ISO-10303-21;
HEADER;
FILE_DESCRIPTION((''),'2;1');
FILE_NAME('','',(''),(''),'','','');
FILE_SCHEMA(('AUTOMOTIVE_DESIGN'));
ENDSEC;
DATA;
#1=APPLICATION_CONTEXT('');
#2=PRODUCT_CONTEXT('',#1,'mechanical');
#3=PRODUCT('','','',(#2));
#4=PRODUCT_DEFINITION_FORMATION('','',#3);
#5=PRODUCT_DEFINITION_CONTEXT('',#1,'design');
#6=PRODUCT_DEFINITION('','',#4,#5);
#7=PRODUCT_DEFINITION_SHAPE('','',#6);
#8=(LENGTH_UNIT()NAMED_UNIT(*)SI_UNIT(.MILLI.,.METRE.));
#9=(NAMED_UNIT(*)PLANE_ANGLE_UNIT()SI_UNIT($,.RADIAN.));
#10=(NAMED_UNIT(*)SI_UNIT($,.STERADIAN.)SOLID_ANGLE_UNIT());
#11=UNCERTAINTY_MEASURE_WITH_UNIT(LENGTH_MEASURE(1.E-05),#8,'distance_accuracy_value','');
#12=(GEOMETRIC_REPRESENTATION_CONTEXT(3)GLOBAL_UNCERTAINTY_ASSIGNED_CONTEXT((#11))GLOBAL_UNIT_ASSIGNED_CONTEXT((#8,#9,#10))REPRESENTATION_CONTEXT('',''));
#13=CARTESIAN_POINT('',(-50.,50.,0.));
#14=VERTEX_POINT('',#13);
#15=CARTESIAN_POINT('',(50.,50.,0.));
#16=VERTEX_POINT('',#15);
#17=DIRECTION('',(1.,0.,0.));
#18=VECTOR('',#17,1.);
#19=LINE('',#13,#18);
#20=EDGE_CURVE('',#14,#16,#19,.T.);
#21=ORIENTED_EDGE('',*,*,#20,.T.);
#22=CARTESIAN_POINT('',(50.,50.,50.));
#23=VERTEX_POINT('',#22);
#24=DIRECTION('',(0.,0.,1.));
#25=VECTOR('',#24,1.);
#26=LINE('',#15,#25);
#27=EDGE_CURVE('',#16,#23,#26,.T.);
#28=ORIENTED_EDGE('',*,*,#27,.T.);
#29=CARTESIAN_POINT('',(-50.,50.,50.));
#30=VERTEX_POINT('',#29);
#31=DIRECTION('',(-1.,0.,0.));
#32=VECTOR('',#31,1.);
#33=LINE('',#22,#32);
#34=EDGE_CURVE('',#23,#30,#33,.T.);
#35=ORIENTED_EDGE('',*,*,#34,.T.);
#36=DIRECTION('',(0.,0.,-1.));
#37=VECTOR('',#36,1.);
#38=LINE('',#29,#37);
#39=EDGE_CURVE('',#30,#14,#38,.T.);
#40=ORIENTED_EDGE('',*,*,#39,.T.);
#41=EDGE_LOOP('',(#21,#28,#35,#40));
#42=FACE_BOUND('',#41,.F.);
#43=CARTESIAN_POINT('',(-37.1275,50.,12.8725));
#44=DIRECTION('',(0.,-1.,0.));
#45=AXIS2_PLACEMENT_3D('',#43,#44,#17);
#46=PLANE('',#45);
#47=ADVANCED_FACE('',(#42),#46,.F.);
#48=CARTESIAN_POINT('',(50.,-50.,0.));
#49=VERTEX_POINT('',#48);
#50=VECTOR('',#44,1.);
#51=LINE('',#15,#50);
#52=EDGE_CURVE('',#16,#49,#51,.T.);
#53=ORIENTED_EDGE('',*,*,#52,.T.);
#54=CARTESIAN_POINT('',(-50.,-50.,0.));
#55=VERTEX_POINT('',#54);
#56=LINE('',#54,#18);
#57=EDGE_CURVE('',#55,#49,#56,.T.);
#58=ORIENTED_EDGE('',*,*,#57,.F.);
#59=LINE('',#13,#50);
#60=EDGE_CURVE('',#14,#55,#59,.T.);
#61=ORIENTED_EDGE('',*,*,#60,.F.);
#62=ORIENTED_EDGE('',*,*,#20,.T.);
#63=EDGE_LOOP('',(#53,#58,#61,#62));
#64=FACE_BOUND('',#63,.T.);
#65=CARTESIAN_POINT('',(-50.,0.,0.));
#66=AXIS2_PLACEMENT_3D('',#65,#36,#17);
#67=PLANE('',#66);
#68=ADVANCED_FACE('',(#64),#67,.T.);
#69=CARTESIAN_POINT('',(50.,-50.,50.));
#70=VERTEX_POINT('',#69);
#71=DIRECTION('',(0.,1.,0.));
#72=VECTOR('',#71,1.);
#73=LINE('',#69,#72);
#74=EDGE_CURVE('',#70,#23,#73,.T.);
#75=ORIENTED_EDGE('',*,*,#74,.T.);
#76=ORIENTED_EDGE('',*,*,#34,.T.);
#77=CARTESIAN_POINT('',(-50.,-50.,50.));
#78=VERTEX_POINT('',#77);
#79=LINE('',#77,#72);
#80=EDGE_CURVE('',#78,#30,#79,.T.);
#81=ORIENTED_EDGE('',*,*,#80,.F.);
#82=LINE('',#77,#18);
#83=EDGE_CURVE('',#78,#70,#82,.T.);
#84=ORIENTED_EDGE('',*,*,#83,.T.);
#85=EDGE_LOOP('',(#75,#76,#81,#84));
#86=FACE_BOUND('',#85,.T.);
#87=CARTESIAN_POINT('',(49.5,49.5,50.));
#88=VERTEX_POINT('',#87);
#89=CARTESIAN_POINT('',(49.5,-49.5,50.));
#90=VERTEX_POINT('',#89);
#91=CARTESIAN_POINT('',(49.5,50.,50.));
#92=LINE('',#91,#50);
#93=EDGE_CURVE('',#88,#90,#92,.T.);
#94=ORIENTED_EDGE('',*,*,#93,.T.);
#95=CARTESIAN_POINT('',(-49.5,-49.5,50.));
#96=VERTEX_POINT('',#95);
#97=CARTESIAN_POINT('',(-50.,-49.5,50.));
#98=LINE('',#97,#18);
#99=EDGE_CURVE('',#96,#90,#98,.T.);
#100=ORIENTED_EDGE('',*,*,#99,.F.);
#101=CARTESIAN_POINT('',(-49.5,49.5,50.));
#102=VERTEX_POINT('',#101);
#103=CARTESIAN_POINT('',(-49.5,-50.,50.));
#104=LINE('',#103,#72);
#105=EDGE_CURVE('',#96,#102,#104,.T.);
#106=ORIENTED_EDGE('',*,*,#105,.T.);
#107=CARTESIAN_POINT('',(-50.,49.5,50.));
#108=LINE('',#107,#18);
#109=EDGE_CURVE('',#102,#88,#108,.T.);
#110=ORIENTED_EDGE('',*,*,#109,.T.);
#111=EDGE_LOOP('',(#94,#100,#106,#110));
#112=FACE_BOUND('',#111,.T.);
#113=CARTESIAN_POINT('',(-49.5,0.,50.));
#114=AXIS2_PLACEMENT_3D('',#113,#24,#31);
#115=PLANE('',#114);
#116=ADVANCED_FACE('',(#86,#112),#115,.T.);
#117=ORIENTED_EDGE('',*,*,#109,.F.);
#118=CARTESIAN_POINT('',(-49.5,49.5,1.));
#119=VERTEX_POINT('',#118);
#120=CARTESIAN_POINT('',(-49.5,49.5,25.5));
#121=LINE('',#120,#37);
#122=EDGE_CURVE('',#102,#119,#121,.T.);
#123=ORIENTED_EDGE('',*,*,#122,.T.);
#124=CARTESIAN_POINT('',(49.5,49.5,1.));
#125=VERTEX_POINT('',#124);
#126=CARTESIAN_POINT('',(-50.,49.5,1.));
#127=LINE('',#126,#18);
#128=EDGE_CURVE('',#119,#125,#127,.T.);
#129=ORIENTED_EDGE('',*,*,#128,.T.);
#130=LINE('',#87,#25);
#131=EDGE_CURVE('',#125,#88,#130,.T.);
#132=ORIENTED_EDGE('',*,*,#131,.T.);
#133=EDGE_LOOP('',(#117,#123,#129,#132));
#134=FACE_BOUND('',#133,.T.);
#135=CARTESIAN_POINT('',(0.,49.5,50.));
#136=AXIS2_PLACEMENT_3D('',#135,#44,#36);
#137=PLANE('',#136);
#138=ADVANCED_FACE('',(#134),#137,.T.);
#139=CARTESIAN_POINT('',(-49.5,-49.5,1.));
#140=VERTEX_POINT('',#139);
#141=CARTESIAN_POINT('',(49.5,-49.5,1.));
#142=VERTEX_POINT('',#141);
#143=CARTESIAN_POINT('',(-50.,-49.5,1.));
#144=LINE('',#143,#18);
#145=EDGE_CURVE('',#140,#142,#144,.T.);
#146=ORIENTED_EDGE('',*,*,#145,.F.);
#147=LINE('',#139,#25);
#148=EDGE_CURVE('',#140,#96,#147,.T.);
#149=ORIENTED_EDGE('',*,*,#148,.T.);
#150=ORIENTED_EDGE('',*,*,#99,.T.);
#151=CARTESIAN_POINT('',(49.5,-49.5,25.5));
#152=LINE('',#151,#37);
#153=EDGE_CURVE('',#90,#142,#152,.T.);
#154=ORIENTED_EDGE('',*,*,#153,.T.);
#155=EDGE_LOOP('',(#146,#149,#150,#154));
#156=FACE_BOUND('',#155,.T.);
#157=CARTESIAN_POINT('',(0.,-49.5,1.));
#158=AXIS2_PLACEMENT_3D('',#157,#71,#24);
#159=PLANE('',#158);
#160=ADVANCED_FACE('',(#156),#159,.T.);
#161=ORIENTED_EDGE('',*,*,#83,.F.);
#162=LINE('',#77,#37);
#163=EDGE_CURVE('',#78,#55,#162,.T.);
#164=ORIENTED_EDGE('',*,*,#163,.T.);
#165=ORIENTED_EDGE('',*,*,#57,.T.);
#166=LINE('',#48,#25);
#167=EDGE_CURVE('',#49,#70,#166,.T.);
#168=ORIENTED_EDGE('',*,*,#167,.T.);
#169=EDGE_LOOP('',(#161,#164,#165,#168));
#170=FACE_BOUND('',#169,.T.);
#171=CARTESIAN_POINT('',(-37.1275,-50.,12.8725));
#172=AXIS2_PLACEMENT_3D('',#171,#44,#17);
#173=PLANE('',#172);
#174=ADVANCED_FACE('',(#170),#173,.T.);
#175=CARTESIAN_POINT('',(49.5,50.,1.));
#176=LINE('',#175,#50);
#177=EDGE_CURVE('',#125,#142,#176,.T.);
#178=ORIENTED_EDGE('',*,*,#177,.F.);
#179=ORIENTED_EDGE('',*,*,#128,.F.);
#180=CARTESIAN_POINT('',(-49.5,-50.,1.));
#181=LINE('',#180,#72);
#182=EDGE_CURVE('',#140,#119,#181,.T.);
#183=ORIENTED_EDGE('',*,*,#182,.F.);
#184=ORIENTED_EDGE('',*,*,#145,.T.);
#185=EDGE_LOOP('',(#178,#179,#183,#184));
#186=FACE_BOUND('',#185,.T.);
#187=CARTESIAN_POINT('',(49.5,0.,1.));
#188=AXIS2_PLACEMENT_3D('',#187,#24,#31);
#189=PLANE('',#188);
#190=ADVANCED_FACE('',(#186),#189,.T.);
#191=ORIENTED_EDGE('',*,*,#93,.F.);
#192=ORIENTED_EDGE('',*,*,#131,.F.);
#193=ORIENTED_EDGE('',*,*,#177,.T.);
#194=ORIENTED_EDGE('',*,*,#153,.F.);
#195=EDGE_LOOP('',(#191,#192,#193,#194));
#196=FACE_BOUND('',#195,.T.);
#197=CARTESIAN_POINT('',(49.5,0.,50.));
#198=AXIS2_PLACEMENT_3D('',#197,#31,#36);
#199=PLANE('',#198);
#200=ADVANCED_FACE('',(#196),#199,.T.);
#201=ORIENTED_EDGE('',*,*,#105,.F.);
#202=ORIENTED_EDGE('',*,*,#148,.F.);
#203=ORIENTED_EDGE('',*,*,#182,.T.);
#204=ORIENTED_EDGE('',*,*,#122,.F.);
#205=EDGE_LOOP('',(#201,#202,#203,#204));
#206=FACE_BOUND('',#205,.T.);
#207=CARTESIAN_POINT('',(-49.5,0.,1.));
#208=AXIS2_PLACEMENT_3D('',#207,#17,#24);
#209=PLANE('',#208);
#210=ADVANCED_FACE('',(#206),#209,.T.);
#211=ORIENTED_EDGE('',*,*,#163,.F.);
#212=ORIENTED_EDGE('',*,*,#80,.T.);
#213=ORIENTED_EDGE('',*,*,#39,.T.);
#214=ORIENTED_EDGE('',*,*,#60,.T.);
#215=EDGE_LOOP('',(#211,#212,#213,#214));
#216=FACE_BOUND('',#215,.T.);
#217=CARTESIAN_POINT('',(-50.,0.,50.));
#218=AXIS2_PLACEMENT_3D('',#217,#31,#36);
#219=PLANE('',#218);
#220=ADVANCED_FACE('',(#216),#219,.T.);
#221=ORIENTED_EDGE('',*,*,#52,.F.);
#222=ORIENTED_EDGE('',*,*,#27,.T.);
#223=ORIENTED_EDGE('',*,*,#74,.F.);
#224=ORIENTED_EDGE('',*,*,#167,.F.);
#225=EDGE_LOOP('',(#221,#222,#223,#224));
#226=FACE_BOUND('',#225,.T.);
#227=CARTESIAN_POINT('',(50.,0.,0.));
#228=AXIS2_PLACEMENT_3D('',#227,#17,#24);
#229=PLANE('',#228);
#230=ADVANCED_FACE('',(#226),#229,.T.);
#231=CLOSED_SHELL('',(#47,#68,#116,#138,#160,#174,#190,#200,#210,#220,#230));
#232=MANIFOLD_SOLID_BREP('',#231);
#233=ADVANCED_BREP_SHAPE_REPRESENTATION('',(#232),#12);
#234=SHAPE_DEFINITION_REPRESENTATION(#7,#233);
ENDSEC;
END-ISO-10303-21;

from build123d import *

# Parameters (mm, degrees)
F2_DEPTH = 50
F3_DEPTH = 50


with BuildPart() as f2:
    # F0 (on Front) → F2 (new body, symmetric)
    with BuildSketch(Plane.XZ):
        Polygon((-50, 50), (-50, 0), (0, 0), (0, 1), (-49.5, 1), (-49.5, 50), align=None)
        Polygon((0, 1), (0, 0), (50, 0), (50, 50), (49.5, 50), (49.5, 1), align=None)
    extrude(amount=F2_DEPTH, both=True)

    # F1 (on Right) → F3 (join, symmetric)
    with BuildSketch(Plane.YZ):
        Polygon((50, 0), (50, 50), (49.5, 50), (49.5, 1), (0, 1), (0, 0), align=None)
        Polygon((-50, 0), (0, 0), (0, 1), (-49.5, 1), (-49.5, 50), (-50, 50), align=None)
    extrude(amount=F3_DEPTH, both=True)


solid = f2.part
